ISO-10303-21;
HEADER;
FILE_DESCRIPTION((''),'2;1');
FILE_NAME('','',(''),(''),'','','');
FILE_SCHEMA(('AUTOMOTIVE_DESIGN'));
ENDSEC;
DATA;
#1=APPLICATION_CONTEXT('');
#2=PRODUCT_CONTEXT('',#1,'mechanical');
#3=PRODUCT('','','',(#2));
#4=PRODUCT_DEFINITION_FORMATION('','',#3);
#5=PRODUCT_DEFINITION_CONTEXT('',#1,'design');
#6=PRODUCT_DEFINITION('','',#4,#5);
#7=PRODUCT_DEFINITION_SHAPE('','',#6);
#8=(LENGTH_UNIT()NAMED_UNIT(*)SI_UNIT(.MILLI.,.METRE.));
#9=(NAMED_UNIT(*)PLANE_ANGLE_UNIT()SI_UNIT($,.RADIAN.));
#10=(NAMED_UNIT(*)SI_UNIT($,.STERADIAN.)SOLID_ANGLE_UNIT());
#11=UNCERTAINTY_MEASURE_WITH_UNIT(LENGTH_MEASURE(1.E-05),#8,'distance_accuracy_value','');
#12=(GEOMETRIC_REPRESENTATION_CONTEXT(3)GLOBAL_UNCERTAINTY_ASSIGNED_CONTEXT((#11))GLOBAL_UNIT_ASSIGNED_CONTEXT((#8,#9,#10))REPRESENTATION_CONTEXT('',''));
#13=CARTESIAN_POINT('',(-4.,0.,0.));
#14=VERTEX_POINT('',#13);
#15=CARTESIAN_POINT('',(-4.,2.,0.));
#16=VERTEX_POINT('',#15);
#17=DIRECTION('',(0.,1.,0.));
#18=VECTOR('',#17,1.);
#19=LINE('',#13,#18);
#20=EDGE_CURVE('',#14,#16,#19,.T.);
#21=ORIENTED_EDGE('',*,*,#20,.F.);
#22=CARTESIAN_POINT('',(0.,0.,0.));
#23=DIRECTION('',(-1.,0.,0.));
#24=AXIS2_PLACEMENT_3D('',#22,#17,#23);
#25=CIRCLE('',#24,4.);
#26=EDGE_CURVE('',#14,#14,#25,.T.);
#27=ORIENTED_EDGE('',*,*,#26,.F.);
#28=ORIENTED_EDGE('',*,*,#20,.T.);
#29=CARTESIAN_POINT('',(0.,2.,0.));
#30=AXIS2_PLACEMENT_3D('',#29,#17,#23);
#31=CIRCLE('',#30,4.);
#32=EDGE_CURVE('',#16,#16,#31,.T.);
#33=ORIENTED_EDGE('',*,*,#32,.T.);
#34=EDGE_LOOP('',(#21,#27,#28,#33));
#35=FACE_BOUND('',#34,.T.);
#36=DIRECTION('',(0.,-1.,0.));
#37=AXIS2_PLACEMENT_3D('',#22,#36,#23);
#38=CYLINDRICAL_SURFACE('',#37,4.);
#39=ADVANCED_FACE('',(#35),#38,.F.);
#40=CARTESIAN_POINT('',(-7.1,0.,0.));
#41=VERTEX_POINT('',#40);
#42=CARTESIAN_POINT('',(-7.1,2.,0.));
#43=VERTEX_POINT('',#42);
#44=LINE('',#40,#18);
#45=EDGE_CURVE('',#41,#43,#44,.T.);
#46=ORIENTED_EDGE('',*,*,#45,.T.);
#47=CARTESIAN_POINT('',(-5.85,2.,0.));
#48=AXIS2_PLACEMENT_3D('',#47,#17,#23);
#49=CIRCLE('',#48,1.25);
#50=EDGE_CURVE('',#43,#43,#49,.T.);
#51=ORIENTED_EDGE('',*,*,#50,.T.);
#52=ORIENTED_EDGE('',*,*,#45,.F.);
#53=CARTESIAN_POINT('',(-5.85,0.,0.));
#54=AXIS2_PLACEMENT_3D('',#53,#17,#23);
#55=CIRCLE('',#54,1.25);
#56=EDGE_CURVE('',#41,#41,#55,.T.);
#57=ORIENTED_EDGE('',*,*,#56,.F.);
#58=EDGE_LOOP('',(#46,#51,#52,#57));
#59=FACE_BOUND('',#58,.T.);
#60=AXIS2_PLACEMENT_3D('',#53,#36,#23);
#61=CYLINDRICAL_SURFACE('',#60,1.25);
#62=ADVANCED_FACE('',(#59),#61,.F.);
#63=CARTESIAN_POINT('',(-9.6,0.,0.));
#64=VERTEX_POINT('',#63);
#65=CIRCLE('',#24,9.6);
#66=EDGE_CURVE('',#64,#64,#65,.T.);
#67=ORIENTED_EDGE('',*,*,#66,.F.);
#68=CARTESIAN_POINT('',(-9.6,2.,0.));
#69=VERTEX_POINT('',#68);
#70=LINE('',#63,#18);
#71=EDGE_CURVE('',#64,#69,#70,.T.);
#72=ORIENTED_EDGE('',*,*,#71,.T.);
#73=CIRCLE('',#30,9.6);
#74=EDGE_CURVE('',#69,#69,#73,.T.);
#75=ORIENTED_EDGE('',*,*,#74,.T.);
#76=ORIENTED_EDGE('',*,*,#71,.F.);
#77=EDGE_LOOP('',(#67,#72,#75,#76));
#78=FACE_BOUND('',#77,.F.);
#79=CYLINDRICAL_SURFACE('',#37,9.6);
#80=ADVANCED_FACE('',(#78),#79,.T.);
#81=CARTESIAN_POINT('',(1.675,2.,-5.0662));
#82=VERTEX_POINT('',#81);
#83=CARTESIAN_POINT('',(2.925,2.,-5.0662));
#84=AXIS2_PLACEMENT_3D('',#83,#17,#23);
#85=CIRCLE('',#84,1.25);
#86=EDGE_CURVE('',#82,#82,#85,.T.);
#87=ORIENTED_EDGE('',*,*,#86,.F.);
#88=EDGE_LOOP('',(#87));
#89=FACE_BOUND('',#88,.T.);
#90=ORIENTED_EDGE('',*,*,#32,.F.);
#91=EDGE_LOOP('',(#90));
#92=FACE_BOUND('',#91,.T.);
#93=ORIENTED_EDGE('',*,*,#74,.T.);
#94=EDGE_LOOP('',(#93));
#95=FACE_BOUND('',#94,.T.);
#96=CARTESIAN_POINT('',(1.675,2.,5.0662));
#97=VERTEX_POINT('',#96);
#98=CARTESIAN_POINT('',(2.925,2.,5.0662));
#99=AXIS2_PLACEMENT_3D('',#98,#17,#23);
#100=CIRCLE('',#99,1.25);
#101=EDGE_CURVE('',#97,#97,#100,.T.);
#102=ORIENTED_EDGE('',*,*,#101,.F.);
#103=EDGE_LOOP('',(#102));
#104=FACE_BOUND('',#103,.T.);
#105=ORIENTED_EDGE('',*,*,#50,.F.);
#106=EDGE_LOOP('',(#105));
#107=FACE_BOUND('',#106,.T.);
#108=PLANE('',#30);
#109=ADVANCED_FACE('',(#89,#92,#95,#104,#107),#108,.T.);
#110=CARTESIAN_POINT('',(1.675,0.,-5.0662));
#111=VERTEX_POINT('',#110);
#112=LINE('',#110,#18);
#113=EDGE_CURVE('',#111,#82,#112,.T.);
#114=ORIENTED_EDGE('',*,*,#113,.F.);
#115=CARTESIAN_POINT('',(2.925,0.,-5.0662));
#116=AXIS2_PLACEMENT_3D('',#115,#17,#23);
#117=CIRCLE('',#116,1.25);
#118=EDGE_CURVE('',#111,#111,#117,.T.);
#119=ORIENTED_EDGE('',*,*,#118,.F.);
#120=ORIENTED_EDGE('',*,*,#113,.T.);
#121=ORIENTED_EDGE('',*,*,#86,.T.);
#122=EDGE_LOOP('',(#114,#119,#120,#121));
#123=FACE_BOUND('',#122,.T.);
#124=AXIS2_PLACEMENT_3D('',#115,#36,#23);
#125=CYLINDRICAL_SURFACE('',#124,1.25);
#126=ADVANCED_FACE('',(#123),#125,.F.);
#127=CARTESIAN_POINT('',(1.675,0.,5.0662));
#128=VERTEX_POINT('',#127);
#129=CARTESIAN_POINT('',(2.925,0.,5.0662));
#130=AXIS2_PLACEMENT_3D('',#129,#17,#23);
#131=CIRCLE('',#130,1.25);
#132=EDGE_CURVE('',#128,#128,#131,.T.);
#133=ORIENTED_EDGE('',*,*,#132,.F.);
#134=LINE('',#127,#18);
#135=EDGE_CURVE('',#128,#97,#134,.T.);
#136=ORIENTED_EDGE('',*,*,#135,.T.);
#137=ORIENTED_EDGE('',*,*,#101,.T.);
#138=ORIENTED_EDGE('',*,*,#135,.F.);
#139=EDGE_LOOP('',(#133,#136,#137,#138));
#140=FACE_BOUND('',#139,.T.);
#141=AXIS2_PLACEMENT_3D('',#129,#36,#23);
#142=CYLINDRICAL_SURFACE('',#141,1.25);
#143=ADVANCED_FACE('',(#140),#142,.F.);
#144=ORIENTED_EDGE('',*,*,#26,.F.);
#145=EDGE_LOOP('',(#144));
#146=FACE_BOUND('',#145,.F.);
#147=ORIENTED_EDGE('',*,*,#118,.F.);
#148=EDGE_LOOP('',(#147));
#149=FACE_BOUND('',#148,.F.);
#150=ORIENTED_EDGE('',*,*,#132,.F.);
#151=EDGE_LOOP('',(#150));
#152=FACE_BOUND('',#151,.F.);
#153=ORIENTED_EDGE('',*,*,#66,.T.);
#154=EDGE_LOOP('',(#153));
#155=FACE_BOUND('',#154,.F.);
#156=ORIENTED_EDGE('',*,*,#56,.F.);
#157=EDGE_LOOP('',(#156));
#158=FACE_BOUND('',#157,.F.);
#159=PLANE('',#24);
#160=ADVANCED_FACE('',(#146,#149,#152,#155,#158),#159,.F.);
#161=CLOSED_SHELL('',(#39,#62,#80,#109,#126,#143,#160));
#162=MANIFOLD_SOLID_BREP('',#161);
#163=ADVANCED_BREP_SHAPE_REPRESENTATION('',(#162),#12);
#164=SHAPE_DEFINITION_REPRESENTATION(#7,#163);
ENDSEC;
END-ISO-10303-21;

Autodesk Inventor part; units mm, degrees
ref_plane "YZ Plane" through (0, 0, 0) normal (1, 0, 0) x (0, 1, 0)
ref_plane "XZ Plane" through (0, 0, 0) normal (0, 1, 0) x (-1, 0, 0)
ref_plane "XY Plane" through (0, 0, 0) normal (0, 0, 1) x (1, 0, 0)
sketch "スケッチ1" plane through (0, 0, 0) normal (0, 1, 0) x (-1, 0, 0)
  circle A0 centre (0, 0) radius 9.6
  circle A1 centre (5.85, 0) radius 1.25
  circle A2 centre (-2.925, 5.0662) radius 1.25
  circle A3 centre (-2.925, -5.0662) radius 1.25
  circle A4 centre (0, 0) radius 4
  dimension "d0" = 19.2
  dimension "d3" = 2.5
  dimension "d4" = 5.85
  dimension "d7" = 360
  dimension "d9" = 8
extrude "押し出し1" add sketch "スケッチ1" along normal blind 2
properties part number "spergear" material "ナイロン 6/6"
